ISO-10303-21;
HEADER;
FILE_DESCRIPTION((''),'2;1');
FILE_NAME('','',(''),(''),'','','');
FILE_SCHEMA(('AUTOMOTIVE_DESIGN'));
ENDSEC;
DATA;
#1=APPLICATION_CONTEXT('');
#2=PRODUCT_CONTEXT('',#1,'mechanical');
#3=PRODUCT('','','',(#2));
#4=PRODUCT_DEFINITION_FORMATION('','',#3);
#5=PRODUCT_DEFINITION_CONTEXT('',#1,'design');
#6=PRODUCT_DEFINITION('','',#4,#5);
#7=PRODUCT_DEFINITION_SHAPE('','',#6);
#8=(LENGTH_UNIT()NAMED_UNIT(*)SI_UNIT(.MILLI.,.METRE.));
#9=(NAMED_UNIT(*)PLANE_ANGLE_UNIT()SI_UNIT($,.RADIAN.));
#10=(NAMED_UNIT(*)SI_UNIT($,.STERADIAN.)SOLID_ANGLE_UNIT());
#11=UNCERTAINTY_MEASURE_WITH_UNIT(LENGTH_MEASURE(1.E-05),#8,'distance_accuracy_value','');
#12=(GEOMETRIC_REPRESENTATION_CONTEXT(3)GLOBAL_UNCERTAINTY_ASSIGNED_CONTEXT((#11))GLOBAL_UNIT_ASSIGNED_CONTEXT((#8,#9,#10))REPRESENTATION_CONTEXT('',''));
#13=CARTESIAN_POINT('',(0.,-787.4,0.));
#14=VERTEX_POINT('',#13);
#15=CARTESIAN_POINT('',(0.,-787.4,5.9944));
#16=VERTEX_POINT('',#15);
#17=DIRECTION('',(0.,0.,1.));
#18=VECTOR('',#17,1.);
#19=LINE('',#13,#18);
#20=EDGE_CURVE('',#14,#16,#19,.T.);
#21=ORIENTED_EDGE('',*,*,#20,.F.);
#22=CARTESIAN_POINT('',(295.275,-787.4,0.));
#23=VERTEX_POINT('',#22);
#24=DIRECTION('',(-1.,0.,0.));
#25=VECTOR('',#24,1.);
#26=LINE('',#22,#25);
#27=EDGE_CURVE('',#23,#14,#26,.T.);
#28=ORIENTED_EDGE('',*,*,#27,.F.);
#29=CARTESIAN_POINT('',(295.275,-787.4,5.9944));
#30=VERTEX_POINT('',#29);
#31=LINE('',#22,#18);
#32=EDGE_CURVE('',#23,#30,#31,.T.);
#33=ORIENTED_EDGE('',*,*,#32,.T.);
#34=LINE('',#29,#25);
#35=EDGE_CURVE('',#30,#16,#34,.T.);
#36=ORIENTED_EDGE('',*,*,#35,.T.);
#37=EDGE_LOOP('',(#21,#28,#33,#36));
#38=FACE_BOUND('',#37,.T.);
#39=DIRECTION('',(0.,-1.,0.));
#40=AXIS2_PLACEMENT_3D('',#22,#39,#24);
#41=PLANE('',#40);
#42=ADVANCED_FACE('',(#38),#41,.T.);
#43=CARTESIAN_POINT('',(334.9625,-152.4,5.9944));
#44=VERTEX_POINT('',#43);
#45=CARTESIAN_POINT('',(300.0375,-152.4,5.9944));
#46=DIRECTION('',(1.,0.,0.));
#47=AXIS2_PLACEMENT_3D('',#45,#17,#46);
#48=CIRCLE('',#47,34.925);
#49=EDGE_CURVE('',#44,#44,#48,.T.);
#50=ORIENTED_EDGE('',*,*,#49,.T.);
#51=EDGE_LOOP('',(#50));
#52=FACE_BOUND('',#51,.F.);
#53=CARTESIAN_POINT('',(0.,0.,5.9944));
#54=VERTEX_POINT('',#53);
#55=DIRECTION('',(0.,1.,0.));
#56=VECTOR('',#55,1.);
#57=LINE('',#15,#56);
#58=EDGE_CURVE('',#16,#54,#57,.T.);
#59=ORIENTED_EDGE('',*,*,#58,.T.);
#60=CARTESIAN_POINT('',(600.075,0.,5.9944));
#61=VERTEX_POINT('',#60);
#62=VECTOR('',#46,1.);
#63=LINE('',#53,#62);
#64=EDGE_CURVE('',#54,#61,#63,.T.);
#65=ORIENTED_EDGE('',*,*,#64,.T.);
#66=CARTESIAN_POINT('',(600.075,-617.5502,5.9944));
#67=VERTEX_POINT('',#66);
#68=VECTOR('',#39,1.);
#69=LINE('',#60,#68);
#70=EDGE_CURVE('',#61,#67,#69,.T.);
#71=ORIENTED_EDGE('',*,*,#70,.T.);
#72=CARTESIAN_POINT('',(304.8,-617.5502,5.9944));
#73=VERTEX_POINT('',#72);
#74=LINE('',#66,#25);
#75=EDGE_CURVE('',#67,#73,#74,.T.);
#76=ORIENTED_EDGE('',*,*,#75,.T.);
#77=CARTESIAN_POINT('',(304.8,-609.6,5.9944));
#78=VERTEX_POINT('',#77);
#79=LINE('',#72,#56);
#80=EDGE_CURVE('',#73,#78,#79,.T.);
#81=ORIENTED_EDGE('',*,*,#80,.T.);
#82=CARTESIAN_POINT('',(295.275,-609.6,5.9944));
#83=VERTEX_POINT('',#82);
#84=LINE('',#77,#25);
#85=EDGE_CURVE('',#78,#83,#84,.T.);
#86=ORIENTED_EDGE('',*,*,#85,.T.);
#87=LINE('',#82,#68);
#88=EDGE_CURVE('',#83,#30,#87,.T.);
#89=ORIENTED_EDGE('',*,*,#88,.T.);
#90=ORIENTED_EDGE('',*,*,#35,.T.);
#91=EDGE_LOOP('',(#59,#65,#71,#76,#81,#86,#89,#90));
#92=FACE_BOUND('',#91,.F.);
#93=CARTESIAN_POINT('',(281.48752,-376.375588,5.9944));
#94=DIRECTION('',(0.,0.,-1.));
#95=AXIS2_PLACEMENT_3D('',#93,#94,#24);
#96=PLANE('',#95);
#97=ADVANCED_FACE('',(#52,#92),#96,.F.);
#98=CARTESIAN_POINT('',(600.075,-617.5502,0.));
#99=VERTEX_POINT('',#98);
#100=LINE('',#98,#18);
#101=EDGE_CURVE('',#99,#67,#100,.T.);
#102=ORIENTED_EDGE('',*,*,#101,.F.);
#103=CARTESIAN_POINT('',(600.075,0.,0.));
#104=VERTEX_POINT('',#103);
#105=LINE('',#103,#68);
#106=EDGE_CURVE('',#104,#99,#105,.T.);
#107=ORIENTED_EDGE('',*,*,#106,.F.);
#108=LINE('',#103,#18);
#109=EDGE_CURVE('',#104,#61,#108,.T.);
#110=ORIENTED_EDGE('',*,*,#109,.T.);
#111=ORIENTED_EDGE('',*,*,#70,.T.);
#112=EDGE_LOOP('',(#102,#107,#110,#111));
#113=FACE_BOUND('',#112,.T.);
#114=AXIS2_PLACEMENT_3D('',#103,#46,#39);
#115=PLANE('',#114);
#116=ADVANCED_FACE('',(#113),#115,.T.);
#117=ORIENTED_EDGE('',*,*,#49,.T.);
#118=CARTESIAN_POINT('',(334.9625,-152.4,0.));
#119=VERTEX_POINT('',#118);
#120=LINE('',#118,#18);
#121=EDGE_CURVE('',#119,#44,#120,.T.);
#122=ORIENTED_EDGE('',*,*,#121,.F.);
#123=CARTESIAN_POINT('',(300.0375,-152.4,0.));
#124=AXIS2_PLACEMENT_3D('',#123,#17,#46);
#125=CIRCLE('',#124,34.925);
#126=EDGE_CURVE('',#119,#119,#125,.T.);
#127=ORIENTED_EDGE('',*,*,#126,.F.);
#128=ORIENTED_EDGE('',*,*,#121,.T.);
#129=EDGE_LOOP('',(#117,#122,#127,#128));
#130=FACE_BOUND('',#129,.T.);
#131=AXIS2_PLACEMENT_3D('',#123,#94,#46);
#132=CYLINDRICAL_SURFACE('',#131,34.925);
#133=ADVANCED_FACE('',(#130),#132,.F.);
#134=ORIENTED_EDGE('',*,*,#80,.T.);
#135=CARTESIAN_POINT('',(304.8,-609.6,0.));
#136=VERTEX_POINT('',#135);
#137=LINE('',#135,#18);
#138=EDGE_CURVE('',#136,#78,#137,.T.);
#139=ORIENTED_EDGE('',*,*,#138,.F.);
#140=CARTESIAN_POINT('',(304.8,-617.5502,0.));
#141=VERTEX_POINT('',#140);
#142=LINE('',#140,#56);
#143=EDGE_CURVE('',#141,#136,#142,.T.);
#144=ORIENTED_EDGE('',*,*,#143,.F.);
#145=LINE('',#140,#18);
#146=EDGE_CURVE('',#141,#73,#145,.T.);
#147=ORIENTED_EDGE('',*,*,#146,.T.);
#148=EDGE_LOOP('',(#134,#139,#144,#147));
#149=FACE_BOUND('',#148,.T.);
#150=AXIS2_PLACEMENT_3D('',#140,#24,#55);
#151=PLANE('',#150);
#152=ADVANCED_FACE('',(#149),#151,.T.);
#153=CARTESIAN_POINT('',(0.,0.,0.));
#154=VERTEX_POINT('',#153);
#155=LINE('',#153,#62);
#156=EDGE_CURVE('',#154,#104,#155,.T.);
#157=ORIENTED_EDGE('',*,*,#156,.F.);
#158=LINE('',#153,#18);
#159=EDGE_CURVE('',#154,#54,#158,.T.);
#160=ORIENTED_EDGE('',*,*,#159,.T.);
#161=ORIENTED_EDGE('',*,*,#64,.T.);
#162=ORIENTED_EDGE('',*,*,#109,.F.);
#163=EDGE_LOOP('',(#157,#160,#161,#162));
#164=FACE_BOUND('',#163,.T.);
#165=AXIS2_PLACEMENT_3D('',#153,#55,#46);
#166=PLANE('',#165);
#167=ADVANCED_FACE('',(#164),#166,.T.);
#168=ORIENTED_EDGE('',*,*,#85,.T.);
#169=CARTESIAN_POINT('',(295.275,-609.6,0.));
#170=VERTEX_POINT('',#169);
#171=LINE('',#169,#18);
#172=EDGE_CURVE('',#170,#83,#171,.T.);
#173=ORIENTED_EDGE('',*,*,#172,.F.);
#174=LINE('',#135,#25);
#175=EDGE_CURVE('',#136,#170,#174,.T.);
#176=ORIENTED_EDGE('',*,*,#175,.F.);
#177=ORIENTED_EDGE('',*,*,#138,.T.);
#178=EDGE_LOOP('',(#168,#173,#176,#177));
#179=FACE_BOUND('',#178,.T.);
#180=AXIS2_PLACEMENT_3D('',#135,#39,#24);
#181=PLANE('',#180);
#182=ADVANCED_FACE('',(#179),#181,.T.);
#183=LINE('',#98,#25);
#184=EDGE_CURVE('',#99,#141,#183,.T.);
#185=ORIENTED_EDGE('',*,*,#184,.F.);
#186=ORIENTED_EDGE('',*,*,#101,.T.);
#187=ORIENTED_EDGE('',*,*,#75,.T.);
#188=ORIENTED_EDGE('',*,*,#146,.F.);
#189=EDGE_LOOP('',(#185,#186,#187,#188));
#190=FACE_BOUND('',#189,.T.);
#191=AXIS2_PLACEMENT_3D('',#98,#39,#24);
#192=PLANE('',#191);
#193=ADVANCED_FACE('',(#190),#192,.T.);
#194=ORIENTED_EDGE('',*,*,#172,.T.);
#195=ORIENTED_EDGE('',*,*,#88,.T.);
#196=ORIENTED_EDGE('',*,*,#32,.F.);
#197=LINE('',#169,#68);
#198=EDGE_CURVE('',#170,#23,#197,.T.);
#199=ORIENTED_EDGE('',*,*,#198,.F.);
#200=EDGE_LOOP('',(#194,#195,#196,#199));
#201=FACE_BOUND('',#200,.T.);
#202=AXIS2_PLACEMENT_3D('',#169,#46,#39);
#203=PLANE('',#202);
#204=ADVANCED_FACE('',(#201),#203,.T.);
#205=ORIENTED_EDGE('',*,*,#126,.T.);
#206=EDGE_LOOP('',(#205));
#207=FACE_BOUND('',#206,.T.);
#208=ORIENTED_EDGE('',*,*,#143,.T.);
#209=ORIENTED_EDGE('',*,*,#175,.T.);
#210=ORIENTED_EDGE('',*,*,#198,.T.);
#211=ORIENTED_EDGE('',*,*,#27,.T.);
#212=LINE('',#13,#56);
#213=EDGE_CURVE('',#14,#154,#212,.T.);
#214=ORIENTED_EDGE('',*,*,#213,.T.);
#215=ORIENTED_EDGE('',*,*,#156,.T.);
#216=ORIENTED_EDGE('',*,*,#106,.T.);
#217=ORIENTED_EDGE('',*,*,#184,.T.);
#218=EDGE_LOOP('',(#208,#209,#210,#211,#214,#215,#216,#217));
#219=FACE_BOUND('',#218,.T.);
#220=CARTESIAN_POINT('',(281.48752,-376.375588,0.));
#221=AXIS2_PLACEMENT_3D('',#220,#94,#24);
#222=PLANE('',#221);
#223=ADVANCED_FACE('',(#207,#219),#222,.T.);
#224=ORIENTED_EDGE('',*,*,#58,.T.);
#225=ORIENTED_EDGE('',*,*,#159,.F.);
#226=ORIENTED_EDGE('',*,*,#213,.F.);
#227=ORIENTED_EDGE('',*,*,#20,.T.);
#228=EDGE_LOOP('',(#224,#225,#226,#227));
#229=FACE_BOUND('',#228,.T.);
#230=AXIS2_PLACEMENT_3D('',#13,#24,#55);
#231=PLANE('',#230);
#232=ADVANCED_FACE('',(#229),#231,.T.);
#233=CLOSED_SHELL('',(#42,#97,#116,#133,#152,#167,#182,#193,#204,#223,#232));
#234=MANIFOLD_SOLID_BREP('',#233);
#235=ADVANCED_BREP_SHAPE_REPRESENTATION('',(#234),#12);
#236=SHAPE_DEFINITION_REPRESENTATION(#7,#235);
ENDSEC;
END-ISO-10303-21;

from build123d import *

# Parameters (mm, degrees)
SKETCH_R      = 34.925
EXTRUDE_DEPTH = 5.9944


with BuildPart() as part:
    # Sketch → Extrude (new body)
    with BuildSketch(Plane.XY):
        Polygon((0, 0), (600.075, 0), (600.075, -617.5502), (304.8, -617.5502), (304.8, -609.6), (295.275, -609.6), (295.275, -787.4), (0, -787.4), align=None)
        with Locations((300.0375, -152.4)):
            Circle(SKETCH_R, mode=Mode.SUBTRACT)
    extrude(amount=EXTRUDE_DEPTH)


solid = part.part
